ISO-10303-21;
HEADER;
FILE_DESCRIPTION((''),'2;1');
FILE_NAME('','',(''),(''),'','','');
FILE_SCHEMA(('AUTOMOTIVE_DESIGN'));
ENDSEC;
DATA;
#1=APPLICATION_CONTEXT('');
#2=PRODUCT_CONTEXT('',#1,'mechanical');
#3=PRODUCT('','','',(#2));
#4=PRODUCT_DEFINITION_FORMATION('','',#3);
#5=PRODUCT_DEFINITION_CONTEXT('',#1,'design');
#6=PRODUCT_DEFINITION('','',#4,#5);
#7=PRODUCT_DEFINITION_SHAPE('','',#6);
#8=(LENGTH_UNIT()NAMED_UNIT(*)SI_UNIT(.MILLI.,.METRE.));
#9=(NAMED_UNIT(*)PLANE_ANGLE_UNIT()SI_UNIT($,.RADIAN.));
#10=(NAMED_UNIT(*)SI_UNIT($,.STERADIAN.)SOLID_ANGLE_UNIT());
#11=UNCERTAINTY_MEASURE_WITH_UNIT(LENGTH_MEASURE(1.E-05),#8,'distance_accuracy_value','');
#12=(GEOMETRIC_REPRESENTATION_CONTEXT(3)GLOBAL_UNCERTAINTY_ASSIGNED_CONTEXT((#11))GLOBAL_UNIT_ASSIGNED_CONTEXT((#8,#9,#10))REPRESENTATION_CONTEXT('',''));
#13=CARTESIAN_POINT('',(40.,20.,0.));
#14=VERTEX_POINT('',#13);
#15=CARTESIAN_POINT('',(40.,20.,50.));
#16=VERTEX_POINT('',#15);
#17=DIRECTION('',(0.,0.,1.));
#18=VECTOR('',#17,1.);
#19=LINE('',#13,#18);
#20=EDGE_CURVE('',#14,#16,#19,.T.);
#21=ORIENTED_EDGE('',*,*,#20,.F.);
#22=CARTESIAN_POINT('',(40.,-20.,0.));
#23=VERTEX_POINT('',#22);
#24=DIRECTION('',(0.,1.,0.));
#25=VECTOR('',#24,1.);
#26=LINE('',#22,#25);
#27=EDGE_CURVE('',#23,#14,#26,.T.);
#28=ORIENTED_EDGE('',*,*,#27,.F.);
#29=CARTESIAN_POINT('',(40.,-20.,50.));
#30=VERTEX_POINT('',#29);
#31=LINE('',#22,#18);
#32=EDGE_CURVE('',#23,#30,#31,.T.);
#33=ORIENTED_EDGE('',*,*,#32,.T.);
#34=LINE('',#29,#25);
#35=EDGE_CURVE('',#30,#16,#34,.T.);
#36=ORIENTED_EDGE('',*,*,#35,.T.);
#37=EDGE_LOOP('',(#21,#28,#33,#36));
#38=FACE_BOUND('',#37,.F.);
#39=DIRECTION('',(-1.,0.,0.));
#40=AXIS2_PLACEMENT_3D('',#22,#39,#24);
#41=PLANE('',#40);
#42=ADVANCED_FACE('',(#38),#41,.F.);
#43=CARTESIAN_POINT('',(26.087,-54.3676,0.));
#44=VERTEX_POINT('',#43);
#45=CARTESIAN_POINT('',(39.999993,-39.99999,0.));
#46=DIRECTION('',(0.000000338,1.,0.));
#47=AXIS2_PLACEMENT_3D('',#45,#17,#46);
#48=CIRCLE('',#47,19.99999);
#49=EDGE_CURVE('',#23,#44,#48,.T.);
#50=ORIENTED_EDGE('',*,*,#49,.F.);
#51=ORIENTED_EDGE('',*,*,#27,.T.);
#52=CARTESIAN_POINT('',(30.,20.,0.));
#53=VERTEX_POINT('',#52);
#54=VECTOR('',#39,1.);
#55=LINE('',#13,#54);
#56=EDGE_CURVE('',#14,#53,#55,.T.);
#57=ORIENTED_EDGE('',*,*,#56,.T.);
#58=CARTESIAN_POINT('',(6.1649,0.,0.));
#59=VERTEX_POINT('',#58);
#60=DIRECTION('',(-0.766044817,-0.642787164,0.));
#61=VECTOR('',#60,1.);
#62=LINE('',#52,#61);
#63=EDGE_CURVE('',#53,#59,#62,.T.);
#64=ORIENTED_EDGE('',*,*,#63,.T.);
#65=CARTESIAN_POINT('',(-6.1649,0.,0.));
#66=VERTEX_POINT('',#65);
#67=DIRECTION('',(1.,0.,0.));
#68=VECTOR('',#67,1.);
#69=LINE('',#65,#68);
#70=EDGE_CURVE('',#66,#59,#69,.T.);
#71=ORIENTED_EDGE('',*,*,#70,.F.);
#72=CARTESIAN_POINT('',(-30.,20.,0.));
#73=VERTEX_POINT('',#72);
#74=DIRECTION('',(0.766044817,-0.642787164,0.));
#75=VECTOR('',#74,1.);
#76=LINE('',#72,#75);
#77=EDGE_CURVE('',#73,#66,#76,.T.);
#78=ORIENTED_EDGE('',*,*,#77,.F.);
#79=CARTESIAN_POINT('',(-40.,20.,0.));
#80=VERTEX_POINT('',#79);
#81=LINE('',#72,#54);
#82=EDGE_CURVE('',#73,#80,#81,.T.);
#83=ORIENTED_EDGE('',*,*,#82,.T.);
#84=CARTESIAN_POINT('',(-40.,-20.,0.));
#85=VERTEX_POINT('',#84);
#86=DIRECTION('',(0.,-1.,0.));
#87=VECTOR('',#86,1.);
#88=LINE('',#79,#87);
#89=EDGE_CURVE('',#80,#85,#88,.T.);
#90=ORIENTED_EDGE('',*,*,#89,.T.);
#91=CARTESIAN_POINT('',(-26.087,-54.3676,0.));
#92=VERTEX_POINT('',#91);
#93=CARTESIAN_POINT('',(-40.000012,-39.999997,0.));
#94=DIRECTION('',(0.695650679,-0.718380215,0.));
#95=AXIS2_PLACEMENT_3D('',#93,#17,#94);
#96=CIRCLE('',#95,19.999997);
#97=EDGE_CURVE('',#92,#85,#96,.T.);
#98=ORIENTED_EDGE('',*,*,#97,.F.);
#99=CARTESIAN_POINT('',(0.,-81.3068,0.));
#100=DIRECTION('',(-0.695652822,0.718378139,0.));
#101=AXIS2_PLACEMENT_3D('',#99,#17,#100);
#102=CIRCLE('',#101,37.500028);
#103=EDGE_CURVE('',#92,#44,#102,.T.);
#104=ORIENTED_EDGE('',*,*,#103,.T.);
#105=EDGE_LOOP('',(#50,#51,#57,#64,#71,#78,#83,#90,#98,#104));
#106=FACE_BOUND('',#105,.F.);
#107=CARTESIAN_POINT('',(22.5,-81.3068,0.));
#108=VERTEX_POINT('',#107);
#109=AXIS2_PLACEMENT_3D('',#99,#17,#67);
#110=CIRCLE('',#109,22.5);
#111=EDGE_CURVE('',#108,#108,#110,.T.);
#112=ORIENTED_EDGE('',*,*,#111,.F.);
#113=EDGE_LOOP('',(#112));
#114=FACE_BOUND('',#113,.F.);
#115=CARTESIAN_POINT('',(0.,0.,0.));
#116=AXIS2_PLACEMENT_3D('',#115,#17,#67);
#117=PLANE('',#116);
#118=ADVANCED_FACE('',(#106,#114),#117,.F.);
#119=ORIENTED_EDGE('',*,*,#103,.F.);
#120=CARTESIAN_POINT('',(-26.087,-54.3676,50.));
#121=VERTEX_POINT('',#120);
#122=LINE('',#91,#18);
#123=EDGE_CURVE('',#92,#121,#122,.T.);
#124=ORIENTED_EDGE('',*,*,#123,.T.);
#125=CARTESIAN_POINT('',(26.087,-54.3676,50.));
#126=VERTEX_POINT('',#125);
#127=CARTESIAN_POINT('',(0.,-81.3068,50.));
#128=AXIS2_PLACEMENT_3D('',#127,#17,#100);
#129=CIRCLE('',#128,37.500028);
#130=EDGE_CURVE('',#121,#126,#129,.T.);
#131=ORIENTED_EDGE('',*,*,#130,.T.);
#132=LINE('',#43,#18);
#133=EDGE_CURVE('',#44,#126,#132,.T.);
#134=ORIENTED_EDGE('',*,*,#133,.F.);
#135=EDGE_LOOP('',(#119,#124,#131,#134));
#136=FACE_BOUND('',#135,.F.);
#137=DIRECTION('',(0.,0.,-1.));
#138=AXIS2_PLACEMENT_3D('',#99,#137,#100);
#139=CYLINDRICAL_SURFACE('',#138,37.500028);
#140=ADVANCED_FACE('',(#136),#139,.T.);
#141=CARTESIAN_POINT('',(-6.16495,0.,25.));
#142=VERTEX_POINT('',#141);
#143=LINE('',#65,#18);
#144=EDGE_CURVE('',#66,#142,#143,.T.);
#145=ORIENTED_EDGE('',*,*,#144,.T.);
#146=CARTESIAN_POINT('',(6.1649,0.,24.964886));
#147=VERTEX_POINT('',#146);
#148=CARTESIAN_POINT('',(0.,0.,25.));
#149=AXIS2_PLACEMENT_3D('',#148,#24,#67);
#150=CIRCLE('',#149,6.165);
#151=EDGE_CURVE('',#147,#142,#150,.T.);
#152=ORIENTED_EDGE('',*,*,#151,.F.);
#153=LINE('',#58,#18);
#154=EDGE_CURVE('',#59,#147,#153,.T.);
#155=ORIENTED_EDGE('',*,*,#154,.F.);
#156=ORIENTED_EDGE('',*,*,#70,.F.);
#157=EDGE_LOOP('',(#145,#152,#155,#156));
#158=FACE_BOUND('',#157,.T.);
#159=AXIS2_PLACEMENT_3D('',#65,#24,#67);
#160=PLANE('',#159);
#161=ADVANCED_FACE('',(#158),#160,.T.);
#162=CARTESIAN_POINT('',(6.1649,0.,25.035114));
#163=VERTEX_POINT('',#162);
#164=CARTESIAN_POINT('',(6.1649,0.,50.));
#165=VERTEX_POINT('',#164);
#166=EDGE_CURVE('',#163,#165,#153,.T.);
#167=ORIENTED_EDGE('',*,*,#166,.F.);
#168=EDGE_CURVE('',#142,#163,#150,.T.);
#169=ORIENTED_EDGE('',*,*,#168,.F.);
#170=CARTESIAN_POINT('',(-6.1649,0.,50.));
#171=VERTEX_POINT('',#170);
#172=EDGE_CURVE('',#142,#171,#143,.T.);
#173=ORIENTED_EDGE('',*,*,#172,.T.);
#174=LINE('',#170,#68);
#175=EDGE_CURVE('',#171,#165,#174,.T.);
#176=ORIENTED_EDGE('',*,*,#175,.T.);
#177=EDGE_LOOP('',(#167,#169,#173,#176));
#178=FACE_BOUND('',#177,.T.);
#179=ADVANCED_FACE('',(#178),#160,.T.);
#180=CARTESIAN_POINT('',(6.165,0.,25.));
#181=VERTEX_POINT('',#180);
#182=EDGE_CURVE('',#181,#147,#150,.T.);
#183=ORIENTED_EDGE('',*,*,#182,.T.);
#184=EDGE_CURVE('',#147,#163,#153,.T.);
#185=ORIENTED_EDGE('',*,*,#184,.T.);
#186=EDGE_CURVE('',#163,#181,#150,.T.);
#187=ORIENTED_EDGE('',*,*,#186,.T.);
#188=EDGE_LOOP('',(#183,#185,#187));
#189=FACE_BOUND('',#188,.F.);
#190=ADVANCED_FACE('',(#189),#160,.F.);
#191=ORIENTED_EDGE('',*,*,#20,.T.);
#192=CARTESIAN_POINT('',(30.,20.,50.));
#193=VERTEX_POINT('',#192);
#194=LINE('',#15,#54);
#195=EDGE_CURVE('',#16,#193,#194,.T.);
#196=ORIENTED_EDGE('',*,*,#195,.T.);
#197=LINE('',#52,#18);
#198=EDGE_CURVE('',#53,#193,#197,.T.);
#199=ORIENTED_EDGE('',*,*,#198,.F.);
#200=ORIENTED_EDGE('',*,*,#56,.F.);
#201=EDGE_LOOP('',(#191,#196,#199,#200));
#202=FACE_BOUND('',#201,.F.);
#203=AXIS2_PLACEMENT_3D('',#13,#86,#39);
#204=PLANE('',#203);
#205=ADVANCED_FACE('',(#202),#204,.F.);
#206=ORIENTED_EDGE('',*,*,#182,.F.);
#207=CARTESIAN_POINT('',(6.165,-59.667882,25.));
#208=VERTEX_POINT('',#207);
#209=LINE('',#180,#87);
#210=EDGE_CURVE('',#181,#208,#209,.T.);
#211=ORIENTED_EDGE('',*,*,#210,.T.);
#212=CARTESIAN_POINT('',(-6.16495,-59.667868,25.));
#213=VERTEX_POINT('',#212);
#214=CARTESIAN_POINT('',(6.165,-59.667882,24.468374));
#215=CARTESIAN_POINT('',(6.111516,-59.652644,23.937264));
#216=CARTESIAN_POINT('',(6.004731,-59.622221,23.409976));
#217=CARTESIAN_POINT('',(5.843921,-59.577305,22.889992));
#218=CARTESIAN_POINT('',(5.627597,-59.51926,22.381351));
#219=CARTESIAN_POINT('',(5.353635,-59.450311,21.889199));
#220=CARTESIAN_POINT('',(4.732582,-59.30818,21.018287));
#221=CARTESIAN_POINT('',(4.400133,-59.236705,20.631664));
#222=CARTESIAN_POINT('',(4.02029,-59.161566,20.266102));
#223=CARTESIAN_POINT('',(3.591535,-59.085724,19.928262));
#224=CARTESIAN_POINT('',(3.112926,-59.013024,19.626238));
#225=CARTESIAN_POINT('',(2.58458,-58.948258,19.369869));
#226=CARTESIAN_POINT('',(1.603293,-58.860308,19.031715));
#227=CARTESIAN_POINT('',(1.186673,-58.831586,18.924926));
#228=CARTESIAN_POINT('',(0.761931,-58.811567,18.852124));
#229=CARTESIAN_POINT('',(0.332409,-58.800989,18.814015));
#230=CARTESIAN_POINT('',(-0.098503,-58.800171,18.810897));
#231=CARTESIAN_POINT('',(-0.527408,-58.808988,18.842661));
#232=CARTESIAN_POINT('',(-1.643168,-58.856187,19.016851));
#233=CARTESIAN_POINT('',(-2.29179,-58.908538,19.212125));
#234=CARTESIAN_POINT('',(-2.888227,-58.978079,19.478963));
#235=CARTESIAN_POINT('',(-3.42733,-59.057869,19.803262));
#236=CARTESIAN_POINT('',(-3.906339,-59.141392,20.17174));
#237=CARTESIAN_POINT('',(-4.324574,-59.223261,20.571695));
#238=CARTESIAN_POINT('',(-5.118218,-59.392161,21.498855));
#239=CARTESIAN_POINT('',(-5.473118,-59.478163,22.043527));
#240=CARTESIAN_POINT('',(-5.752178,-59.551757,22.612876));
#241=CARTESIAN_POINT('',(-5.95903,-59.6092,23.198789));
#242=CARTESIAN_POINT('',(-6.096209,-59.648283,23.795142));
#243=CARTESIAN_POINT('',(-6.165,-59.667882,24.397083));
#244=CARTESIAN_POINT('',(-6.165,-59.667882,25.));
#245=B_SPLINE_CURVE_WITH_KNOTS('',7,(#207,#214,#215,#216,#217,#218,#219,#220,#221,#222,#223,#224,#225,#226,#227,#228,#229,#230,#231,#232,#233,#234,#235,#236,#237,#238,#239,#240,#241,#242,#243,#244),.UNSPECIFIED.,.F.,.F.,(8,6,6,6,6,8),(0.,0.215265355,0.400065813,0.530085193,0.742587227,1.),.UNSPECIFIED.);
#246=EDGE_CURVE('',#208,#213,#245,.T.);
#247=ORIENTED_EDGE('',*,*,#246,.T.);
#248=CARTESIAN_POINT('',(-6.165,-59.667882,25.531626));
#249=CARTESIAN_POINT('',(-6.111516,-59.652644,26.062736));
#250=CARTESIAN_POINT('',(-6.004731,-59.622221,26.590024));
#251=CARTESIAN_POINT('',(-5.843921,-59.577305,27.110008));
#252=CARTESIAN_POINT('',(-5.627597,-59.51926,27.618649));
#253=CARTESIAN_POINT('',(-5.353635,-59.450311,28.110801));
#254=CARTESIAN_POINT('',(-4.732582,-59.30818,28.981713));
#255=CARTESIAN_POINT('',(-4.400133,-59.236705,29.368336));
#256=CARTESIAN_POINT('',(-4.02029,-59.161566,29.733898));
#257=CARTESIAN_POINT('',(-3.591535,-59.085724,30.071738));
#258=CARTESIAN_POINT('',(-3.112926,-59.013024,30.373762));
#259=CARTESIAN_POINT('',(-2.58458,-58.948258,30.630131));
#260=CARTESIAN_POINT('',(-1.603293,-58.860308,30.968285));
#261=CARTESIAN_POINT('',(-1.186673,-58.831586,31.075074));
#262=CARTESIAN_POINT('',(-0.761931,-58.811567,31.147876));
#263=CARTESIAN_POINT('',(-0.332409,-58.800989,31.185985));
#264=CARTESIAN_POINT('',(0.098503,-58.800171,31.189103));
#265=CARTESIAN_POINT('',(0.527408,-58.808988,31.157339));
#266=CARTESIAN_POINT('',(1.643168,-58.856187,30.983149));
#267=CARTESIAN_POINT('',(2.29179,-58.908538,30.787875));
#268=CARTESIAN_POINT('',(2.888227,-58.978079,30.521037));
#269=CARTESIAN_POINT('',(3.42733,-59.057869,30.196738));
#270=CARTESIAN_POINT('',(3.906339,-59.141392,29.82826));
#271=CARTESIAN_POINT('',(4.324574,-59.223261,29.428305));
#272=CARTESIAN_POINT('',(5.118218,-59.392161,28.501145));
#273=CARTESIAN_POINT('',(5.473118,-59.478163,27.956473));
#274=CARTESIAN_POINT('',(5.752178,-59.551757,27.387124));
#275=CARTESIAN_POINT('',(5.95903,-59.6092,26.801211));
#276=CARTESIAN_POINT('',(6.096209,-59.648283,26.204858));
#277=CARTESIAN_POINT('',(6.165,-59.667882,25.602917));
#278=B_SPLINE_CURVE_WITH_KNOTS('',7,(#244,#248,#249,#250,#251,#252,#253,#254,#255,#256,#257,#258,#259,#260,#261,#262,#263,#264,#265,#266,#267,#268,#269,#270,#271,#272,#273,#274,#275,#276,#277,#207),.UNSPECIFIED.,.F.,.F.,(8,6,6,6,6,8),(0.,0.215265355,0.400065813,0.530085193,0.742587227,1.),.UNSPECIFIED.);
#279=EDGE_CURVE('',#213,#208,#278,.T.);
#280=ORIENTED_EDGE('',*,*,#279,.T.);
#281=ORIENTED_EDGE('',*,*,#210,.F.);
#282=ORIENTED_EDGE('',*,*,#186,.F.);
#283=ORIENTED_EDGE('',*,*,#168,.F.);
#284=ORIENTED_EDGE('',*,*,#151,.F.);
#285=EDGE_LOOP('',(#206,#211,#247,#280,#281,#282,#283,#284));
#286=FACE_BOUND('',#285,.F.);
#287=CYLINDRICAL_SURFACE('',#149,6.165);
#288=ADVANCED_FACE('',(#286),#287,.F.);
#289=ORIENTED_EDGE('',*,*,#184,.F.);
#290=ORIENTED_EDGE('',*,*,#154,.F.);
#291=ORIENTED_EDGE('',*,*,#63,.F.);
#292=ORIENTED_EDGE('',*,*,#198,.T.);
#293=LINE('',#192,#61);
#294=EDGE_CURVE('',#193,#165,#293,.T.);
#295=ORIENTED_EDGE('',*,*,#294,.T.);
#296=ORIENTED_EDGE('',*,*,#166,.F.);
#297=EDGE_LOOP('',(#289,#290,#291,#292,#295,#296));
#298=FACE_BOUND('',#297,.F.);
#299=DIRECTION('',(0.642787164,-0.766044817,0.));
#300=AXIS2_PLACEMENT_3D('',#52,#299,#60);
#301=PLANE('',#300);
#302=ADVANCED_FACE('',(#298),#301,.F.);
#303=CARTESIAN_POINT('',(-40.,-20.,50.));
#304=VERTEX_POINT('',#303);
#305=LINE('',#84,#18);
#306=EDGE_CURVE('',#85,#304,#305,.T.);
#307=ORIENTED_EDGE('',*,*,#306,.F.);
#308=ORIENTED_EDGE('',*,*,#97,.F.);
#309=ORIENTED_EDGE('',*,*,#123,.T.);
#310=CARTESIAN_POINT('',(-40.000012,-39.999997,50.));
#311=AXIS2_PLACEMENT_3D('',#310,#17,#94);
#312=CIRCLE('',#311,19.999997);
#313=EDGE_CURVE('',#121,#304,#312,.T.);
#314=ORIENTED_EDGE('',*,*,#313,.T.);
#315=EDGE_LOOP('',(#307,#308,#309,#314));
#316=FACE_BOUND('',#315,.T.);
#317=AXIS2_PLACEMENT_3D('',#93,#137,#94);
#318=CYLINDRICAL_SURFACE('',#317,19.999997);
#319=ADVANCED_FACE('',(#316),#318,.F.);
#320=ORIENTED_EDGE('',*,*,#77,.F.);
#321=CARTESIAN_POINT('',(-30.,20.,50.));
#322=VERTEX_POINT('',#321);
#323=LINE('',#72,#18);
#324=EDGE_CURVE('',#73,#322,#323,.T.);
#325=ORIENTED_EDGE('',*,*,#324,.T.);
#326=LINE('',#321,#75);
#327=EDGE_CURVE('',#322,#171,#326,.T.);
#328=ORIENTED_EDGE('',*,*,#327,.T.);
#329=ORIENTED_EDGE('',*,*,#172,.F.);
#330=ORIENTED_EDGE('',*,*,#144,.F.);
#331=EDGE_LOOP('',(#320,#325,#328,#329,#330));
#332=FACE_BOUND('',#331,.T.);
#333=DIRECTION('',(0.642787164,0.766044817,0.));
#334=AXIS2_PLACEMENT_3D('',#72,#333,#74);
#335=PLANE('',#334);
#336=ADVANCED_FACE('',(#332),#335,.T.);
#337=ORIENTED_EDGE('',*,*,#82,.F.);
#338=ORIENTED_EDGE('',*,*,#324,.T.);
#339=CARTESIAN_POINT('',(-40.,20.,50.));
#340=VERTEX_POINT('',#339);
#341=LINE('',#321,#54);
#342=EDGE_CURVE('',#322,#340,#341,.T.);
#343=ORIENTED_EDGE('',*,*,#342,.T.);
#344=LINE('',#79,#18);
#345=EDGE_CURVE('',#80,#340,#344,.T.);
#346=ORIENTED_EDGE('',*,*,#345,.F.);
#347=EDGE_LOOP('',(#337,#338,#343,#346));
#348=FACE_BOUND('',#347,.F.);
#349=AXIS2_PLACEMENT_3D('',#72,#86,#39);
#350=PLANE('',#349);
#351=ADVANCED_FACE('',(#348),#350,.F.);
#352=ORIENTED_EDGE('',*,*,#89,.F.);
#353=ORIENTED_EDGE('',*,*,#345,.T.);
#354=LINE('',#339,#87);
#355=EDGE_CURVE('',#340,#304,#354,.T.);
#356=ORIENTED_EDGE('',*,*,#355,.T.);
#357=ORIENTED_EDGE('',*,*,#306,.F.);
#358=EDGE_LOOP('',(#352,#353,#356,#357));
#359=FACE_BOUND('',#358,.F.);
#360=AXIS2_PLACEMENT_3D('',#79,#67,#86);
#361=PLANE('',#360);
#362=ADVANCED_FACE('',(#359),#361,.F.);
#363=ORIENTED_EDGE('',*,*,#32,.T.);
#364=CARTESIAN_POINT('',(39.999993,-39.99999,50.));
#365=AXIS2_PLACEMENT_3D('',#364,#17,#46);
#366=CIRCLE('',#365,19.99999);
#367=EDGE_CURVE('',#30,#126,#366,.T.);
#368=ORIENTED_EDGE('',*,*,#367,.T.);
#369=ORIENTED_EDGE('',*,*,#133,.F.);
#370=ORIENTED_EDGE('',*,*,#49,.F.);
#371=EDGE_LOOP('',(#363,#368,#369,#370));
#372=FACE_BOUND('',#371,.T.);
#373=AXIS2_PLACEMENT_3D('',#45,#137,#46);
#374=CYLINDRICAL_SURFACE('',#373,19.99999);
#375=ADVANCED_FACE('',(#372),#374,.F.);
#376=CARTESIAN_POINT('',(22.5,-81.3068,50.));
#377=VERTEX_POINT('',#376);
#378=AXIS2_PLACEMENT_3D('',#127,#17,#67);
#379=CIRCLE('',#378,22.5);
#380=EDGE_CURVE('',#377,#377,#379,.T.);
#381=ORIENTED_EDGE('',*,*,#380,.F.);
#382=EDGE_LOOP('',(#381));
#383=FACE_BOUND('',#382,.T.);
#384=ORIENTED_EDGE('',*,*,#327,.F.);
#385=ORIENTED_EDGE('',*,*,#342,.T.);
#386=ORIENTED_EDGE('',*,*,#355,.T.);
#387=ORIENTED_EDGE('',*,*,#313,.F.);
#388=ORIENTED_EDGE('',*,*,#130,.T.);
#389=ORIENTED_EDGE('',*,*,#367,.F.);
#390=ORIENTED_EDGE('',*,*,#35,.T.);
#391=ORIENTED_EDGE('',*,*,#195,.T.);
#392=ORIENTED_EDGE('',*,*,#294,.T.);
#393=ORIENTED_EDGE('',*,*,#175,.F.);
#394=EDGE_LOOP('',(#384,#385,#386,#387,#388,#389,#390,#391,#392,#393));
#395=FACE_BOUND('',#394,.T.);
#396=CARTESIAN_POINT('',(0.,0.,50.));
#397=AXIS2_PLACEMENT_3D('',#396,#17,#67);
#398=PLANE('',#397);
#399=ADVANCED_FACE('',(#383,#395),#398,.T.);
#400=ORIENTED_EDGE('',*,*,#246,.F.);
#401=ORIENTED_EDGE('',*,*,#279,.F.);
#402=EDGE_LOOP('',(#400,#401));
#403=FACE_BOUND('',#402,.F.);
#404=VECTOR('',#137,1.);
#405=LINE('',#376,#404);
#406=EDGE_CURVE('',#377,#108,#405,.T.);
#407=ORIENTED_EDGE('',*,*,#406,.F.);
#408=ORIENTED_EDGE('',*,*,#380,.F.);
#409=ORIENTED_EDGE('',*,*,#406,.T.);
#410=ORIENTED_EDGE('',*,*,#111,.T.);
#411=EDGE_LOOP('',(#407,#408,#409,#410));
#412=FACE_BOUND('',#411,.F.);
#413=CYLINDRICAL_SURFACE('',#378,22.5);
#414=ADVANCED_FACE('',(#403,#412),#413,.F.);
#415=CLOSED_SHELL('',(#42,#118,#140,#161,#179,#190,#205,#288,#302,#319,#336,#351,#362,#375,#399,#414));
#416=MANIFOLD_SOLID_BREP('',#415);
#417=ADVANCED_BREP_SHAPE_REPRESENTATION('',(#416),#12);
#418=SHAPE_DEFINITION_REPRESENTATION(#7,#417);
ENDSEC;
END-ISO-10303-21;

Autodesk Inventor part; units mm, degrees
ref_plane "YZ Plane" through (0, 0, 0) normal (1, 0, 0) x (0, 1, 0)
ref_plane "XZ Plane" through (0, 0, 0) normal (0, 1, 0) x (-1, 0, 0)
ref_plane "XY Plane" through (0, 0, 0) normal (0, 0, 1) x (1, 0, 0)
sketch "Sketch1" plane through (0, 0, 0) normal (0, 0, 1) x (1, 0, 0)
  line L0 (-257.8464, 52.4999) -> (-100.2151, 52.4999) construction
  line L1 (-100.2151, 52.4999) -> (-100.2151, -56.2898) construction
  line L2 (-100.2151, -56.2898) -> (-257.8464, -56.2898) construction
  line L3 (-257.8464, -56.2898) -> (-257.8464, 52.4999) construction
  line L4 (40, -20) -> (40, 20)
  line L5 (-40, 20) -> (-40, -20)
  line L6 (-6.1649, 0) -> (6.1649, 0)
  line L7 (-30, 20) -> (-6.1649, 0)
  line L8 (30, 20) -> (6.1649, 0)
  line L9 (40, 20) -> (30, 20)
  line L10 (-30, 20) -> (-40, 20)
  arc A0 (-26.087, -54.3676) -> (26.087, -54.3676) centre (0, -81.3068) ccw
  arc A1 (-26.087, -54.3676) -> (-40, -20) centre (-40, -40) ccw
  arc A2 (40, -20) -> (26.087, -54.3676) centre (40, -40) ccw
  point P0 (0, 0)
  point P1 (-24.7924, -52.9895)
  point P2 (24.7924, -52.9895)
  dimension "d7" = 80
  dimension "d8" = 40
  dimension "d9" = 10
  dimension "d10" = 10
  dimension "d16" = 75
  dimension "d17" = 20
extrude "Extrusion1" add sketch "Sketch1" along normal blind 50
sketch "Sketch2" plane through (0, 0, 50) normal (0, 0, 1) x (1, 0, 0)
  arc A0 (-26.087, -54.3676) -> (26.087, -54.3676) centre (0, -81.3068) ccw projected
  circle A1 centre (0, -81.3068) radius 22.5
  point P0 (0, 0)
  dimension "d23" = 45
extrude "Extrusion2" cut sketch "Sketch2" against normal through all
sketch "Sketch3" plane through (-6.1649, 0, 0) normal (0, 1, 0) x (1, 0, 0)
  line L0 (12.3299, -50) -> (0, -50) projected
  line L1 (0, 0) -> (0, -50) projected
  line L2 (12.3299, 0) -> (12.3299, -50) projected
  circle A0 centre (6.1649, -25) radius 6.165
  point P0 (6.1649, 0)
  point P1 (12.3299, -24.9702)
  point P2 (0, -24.9702)
  point P3 (0, -25.0298)
  point P4 (12.3299, -25.0298)
  dimension "d26" = 12.3299
  dimension "d27" = 12.33
extrude "Extrusion3" cut sketch "Sketch3" against normal blind 60 contours A0
properties part number "cad@39"
